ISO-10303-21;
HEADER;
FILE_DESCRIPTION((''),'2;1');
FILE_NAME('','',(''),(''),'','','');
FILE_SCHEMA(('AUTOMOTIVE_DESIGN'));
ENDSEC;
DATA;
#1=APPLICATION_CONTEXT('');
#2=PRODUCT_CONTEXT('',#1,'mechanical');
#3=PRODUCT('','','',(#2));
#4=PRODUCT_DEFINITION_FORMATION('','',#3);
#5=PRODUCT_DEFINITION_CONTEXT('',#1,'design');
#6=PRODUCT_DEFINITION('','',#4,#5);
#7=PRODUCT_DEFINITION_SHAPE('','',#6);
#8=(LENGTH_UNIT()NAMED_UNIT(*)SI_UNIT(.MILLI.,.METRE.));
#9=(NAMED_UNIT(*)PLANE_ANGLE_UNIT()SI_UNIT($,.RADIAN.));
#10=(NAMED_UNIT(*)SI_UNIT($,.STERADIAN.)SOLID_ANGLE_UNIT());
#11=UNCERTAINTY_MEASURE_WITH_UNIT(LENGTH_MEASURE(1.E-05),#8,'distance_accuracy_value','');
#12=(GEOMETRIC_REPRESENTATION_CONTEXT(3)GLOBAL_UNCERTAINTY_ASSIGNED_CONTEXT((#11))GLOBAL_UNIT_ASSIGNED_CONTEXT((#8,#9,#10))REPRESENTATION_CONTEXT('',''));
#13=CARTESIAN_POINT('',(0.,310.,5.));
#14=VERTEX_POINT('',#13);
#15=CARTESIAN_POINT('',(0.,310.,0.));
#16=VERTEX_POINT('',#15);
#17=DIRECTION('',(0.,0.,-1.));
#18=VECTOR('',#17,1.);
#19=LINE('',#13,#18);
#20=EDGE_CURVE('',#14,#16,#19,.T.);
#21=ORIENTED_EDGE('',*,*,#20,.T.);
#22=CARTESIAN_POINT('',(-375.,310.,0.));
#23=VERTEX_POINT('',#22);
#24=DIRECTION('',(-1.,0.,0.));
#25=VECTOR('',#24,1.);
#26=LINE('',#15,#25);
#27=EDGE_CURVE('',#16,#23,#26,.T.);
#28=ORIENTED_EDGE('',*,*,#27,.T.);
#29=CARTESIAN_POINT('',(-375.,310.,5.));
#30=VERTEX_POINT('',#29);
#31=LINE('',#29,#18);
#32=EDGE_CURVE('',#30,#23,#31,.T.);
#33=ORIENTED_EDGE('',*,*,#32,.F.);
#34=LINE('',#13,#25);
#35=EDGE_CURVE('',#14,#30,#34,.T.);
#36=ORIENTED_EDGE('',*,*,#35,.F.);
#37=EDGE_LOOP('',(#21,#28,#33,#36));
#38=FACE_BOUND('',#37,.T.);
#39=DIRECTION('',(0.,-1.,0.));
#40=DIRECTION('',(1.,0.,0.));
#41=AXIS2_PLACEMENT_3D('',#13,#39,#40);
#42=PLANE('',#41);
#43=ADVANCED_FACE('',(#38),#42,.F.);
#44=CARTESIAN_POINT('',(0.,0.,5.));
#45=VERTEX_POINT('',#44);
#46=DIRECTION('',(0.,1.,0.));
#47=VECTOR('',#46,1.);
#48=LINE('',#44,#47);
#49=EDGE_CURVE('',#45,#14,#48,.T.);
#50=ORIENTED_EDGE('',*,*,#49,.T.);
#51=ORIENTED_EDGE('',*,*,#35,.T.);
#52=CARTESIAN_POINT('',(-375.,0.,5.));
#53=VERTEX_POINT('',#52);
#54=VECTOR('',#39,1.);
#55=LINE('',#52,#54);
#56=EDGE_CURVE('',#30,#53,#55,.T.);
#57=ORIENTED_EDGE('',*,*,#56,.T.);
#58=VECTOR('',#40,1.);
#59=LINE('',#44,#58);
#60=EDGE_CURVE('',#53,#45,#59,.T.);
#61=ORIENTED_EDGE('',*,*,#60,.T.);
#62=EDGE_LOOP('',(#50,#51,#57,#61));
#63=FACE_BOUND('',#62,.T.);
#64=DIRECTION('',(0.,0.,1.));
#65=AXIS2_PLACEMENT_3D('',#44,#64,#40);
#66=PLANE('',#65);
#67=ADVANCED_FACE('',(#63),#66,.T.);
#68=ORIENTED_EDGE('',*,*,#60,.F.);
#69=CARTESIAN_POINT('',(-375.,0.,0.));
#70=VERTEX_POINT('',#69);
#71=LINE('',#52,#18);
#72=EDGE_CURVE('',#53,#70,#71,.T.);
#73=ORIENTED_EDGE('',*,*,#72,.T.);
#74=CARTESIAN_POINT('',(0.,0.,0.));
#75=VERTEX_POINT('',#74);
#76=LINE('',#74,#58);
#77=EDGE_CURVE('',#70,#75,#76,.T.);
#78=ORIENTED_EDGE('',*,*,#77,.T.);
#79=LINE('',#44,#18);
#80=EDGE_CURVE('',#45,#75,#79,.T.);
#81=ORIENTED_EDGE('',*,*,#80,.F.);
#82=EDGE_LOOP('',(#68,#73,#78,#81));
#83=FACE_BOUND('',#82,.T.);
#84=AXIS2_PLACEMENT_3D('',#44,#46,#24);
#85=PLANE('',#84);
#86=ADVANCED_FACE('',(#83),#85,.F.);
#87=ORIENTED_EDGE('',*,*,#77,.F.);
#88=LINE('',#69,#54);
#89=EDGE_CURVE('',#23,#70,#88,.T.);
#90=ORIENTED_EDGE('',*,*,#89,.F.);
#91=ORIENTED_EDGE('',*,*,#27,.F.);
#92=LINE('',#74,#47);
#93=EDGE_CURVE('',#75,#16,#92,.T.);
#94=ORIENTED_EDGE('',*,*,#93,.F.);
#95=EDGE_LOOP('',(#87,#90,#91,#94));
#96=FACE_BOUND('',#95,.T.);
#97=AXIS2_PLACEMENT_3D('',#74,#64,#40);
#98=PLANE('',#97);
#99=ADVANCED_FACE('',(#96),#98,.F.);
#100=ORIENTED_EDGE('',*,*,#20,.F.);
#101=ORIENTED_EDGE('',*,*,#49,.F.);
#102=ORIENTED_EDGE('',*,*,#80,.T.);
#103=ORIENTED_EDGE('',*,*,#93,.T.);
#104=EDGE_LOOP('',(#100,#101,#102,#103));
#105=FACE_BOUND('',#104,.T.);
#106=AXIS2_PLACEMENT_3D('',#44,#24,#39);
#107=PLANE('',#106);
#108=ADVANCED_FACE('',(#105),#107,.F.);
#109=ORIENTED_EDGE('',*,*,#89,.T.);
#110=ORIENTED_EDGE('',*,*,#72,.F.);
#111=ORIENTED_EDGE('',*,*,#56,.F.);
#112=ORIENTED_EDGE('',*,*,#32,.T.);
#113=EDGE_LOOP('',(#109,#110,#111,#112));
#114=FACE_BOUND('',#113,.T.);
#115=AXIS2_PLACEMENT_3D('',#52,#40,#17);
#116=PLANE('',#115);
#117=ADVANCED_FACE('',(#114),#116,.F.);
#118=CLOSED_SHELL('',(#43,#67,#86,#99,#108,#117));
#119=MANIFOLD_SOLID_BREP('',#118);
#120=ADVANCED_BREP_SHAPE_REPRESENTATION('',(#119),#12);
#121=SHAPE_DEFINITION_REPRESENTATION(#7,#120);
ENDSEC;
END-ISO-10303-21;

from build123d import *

# Parameters (mm, degrees)
ESQUISSE1_W        = 375
ESQUISSE1_H        = 310
BOSS_EXTRU_1_DEPTH = 5


with BuildPart() as part:
    # Esquisse1 → Boss.-Extru.1 (new body)
    with BuildSketch(Plane.XY):
        with Locations((-187.5, 155)):
            Rectangle(ESQUISSE1_W, ESQUISSE1_H)
    extrude(amount=BOSS_EXTRU_1_DEPTH)


solid = part.part
